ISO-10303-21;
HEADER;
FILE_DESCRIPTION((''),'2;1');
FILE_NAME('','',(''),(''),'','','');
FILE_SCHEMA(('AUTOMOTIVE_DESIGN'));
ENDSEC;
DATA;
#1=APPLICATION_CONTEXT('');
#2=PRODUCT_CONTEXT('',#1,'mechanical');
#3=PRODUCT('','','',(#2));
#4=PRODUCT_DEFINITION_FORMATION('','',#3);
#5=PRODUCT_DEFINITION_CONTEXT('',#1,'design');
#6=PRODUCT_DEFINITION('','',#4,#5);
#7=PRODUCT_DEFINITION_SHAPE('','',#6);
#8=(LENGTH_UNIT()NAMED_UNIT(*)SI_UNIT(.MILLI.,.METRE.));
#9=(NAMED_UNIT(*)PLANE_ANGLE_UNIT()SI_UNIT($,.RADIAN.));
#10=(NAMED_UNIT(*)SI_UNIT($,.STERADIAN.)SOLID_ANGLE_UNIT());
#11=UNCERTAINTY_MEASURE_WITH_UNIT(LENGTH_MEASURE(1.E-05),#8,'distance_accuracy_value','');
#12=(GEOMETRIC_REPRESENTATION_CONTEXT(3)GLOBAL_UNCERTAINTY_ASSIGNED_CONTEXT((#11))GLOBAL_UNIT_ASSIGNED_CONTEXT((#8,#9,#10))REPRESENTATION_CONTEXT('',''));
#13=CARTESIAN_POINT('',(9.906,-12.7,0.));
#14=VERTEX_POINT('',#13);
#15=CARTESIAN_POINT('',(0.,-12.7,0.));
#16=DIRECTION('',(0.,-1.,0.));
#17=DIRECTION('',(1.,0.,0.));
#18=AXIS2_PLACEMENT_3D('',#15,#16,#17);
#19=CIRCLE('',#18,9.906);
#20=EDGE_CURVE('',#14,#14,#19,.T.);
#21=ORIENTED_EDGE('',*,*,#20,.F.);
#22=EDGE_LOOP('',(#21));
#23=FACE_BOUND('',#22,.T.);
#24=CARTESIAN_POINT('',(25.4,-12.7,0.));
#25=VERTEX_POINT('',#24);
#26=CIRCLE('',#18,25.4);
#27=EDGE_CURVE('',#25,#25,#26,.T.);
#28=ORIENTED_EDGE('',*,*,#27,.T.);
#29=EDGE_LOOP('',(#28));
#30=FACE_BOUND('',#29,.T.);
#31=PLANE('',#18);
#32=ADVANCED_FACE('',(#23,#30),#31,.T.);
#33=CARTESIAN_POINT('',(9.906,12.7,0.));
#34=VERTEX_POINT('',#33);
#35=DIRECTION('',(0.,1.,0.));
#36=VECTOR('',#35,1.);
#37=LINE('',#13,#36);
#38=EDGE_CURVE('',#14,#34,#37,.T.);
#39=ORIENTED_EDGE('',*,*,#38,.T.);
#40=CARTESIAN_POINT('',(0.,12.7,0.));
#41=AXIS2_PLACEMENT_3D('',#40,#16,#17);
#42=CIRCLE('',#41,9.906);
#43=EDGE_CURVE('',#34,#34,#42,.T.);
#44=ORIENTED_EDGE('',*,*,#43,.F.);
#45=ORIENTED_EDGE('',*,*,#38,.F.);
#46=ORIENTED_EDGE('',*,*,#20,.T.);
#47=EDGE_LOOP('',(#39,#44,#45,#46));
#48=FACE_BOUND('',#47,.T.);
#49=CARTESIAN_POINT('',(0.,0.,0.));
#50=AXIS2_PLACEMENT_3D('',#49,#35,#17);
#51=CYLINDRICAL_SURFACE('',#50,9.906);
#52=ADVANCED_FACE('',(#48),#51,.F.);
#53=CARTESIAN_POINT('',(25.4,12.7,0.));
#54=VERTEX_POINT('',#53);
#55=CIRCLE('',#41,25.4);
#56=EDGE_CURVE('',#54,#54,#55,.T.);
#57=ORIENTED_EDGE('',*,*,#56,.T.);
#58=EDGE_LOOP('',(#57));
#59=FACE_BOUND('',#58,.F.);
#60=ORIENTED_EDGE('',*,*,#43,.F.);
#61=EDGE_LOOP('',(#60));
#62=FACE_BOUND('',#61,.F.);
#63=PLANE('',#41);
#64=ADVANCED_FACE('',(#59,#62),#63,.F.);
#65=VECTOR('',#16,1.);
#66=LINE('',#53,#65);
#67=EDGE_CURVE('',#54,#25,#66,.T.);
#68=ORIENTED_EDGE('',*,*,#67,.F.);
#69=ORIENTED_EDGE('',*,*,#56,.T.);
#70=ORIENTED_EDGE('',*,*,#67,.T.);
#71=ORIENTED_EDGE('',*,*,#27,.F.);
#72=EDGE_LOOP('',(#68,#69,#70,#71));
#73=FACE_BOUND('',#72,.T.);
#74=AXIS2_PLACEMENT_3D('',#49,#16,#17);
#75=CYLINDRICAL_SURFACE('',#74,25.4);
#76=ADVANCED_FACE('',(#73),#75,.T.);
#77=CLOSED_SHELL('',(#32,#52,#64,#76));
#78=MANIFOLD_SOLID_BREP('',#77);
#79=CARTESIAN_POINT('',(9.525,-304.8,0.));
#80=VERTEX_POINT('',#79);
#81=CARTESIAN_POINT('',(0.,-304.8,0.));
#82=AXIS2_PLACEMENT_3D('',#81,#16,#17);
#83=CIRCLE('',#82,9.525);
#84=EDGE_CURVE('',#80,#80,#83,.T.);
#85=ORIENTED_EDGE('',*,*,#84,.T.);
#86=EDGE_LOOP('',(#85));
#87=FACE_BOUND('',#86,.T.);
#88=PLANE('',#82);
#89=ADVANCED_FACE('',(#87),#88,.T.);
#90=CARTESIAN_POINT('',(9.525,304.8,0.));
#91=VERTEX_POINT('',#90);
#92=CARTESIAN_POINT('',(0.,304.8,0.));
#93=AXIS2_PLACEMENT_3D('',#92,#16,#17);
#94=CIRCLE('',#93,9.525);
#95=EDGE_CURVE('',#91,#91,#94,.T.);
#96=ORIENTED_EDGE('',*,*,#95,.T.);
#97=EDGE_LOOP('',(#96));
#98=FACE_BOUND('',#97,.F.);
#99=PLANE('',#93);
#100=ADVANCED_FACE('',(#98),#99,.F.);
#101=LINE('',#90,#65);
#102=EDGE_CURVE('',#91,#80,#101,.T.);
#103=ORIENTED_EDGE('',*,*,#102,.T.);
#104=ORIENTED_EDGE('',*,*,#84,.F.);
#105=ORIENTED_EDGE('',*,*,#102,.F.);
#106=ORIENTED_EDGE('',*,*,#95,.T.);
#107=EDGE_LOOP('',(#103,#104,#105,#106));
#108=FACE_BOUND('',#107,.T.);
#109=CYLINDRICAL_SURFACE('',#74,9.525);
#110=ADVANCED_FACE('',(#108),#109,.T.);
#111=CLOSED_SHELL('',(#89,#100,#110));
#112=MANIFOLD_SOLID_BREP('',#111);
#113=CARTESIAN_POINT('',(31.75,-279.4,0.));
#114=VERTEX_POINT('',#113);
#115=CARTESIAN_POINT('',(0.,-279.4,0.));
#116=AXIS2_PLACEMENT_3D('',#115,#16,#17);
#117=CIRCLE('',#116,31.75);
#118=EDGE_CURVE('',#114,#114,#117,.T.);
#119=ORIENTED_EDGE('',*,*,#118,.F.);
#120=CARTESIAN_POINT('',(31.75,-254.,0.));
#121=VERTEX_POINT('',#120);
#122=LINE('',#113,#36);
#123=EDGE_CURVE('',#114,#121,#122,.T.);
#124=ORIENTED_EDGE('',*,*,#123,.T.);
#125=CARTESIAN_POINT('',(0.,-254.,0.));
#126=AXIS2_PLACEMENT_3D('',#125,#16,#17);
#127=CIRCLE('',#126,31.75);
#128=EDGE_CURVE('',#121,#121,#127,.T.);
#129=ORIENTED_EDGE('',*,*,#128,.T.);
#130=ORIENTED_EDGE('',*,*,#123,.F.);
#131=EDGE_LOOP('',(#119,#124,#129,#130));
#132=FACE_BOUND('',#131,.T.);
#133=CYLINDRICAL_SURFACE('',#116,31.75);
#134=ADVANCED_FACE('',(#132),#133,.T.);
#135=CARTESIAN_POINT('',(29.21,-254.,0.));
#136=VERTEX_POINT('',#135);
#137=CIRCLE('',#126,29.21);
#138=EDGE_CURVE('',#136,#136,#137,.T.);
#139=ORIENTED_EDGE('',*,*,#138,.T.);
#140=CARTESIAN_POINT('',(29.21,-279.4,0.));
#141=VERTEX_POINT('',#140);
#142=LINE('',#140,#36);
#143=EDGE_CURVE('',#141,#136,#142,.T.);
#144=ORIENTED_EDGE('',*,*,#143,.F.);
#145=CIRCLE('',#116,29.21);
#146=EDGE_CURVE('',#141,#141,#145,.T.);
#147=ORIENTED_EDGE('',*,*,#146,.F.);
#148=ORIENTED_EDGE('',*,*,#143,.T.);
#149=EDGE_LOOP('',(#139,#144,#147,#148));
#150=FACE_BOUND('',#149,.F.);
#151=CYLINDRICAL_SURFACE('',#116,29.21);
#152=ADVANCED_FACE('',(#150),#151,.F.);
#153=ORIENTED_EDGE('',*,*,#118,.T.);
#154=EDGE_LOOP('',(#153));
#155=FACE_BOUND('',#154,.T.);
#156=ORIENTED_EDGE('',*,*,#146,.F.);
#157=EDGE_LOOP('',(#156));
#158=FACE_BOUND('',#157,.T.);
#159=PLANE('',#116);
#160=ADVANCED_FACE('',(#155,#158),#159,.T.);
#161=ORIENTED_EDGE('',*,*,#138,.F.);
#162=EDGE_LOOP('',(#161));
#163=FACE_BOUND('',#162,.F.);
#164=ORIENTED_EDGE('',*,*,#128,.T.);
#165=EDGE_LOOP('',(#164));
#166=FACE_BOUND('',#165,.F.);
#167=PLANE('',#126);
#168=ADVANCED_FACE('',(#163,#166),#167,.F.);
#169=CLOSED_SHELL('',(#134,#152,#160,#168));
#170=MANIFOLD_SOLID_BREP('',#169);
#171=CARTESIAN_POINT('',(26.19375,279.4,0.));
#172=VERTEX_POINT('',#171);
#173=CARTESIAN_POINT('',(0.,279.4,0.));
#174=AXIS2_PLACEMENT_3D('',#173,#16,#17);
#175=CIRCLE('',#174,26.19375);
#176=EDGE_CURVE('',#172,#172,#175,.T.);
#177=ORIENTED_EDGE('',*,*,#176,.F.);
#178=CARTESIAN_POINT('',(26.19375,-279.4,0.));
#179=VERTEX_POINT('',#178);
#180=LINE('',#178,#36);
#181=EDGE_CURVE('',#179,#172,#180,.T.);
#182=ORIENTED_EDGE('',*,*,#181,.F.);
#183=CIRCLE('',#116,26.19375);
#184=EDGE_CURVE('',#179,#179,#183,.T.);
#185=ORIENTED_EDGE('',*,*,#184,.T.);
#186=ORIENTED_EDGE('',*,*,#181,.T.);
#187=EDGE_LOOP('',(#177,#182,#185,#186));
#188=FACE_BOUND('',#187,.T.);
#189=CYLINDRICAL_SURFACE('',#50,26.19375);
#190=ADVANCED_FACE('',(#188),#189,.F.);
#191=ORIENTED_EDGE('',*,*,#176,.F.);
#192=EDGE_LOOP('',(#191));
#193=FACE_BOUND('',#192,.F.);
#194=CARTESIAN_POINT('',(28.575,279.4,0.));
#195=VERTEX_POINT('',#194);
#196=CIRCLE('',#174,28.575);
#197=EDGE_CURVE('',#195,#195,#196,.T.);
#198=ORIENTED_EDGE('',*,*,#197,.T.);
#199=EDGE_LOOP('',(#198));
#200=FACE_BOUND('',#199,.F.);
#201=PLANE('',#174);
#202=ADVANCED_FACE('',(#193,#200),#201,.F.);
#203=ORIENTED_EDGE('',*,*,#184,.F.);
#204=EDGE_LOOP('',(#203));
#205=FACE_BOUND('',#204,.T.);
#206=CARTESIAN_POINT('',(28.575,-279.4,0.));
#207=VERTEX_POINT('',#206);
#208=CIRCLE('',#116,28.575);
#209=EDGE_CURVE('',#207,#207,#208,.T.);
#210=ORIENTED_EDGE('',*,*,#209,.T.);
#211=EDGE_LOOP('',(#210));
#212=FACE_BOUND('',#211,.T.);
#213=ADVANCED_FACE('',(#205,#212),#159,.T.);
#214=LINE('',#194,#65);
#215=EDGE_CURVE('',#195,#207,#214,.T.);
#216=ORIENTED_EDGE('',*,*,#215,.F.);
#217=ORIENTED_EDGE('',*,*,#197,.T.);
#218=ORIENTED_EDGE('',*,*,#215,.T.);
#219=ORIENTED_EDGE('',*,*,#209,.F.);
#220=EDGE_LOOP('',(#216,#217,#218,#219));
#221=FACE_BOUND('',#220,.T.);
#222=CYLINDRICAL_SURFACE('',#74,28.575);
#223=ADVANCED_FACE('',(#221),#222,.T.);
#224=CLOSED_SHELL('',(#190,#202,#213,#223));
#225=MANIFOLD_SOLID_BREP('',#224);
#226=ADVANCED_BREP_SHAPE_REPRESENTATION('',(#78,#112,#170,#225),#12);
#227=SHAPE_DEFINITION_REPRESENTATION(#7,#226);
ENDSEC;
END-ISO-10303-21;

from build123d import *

# Parameters (mm, degrees)
F0_R     = 9.525
F1_DEPTH = 304.8
F2_R     = 25.4
F2_R_2   = 9.906
F3_DEPTH = 12.7
F4_R     = 28.575
F4_R_2   = 26.19375
F5_DEPTH = 279.4
F6_R     = 31.75
F6_R_2   = 29.21
F7_DEPTH = 25.4


with BuildPart() as f1:
    # F0 (on Front) → F1 (new body, symmetric)
    with BuildSketch(Plane.XZ):
        Circle(F0_R)
    extrude(amount=F1_DEPTH, both=True)


with BuildPart() as f3:
    # F2 (on Front) → F3 (new body, symmetric)
    with BuildSketch(Plane.XZ):
        Circle(F2_R)
        Circle(F2_R_2, mode=Mode.SUBTRACT)
    extrude(amount=F3_DEPTH, both=True)


with BuildPart() as f5:
    # F4 (on Front) → F5 (new body, symmetric)
    with BuildSketch(Plane.XZ):
        Circle(F4_R)
        Circle(F4_R_2, mode=Mode.SUBTRACT)
    extrude(amount=F5_DEPTH, both=True)


with BuildPart() as f7:
    # F6 (on face) → F7 (new body)
    with BuildSketch(Plane.XZ.offset(279.4)):
        Circle(F6_R)
        Circle(F6_R_2, mode=Mode.SUBTRACT)
    extrude(amount=-F7_DEPTH)


solid = Compound([f1.part, f3.part, f5.part, f7.part])
